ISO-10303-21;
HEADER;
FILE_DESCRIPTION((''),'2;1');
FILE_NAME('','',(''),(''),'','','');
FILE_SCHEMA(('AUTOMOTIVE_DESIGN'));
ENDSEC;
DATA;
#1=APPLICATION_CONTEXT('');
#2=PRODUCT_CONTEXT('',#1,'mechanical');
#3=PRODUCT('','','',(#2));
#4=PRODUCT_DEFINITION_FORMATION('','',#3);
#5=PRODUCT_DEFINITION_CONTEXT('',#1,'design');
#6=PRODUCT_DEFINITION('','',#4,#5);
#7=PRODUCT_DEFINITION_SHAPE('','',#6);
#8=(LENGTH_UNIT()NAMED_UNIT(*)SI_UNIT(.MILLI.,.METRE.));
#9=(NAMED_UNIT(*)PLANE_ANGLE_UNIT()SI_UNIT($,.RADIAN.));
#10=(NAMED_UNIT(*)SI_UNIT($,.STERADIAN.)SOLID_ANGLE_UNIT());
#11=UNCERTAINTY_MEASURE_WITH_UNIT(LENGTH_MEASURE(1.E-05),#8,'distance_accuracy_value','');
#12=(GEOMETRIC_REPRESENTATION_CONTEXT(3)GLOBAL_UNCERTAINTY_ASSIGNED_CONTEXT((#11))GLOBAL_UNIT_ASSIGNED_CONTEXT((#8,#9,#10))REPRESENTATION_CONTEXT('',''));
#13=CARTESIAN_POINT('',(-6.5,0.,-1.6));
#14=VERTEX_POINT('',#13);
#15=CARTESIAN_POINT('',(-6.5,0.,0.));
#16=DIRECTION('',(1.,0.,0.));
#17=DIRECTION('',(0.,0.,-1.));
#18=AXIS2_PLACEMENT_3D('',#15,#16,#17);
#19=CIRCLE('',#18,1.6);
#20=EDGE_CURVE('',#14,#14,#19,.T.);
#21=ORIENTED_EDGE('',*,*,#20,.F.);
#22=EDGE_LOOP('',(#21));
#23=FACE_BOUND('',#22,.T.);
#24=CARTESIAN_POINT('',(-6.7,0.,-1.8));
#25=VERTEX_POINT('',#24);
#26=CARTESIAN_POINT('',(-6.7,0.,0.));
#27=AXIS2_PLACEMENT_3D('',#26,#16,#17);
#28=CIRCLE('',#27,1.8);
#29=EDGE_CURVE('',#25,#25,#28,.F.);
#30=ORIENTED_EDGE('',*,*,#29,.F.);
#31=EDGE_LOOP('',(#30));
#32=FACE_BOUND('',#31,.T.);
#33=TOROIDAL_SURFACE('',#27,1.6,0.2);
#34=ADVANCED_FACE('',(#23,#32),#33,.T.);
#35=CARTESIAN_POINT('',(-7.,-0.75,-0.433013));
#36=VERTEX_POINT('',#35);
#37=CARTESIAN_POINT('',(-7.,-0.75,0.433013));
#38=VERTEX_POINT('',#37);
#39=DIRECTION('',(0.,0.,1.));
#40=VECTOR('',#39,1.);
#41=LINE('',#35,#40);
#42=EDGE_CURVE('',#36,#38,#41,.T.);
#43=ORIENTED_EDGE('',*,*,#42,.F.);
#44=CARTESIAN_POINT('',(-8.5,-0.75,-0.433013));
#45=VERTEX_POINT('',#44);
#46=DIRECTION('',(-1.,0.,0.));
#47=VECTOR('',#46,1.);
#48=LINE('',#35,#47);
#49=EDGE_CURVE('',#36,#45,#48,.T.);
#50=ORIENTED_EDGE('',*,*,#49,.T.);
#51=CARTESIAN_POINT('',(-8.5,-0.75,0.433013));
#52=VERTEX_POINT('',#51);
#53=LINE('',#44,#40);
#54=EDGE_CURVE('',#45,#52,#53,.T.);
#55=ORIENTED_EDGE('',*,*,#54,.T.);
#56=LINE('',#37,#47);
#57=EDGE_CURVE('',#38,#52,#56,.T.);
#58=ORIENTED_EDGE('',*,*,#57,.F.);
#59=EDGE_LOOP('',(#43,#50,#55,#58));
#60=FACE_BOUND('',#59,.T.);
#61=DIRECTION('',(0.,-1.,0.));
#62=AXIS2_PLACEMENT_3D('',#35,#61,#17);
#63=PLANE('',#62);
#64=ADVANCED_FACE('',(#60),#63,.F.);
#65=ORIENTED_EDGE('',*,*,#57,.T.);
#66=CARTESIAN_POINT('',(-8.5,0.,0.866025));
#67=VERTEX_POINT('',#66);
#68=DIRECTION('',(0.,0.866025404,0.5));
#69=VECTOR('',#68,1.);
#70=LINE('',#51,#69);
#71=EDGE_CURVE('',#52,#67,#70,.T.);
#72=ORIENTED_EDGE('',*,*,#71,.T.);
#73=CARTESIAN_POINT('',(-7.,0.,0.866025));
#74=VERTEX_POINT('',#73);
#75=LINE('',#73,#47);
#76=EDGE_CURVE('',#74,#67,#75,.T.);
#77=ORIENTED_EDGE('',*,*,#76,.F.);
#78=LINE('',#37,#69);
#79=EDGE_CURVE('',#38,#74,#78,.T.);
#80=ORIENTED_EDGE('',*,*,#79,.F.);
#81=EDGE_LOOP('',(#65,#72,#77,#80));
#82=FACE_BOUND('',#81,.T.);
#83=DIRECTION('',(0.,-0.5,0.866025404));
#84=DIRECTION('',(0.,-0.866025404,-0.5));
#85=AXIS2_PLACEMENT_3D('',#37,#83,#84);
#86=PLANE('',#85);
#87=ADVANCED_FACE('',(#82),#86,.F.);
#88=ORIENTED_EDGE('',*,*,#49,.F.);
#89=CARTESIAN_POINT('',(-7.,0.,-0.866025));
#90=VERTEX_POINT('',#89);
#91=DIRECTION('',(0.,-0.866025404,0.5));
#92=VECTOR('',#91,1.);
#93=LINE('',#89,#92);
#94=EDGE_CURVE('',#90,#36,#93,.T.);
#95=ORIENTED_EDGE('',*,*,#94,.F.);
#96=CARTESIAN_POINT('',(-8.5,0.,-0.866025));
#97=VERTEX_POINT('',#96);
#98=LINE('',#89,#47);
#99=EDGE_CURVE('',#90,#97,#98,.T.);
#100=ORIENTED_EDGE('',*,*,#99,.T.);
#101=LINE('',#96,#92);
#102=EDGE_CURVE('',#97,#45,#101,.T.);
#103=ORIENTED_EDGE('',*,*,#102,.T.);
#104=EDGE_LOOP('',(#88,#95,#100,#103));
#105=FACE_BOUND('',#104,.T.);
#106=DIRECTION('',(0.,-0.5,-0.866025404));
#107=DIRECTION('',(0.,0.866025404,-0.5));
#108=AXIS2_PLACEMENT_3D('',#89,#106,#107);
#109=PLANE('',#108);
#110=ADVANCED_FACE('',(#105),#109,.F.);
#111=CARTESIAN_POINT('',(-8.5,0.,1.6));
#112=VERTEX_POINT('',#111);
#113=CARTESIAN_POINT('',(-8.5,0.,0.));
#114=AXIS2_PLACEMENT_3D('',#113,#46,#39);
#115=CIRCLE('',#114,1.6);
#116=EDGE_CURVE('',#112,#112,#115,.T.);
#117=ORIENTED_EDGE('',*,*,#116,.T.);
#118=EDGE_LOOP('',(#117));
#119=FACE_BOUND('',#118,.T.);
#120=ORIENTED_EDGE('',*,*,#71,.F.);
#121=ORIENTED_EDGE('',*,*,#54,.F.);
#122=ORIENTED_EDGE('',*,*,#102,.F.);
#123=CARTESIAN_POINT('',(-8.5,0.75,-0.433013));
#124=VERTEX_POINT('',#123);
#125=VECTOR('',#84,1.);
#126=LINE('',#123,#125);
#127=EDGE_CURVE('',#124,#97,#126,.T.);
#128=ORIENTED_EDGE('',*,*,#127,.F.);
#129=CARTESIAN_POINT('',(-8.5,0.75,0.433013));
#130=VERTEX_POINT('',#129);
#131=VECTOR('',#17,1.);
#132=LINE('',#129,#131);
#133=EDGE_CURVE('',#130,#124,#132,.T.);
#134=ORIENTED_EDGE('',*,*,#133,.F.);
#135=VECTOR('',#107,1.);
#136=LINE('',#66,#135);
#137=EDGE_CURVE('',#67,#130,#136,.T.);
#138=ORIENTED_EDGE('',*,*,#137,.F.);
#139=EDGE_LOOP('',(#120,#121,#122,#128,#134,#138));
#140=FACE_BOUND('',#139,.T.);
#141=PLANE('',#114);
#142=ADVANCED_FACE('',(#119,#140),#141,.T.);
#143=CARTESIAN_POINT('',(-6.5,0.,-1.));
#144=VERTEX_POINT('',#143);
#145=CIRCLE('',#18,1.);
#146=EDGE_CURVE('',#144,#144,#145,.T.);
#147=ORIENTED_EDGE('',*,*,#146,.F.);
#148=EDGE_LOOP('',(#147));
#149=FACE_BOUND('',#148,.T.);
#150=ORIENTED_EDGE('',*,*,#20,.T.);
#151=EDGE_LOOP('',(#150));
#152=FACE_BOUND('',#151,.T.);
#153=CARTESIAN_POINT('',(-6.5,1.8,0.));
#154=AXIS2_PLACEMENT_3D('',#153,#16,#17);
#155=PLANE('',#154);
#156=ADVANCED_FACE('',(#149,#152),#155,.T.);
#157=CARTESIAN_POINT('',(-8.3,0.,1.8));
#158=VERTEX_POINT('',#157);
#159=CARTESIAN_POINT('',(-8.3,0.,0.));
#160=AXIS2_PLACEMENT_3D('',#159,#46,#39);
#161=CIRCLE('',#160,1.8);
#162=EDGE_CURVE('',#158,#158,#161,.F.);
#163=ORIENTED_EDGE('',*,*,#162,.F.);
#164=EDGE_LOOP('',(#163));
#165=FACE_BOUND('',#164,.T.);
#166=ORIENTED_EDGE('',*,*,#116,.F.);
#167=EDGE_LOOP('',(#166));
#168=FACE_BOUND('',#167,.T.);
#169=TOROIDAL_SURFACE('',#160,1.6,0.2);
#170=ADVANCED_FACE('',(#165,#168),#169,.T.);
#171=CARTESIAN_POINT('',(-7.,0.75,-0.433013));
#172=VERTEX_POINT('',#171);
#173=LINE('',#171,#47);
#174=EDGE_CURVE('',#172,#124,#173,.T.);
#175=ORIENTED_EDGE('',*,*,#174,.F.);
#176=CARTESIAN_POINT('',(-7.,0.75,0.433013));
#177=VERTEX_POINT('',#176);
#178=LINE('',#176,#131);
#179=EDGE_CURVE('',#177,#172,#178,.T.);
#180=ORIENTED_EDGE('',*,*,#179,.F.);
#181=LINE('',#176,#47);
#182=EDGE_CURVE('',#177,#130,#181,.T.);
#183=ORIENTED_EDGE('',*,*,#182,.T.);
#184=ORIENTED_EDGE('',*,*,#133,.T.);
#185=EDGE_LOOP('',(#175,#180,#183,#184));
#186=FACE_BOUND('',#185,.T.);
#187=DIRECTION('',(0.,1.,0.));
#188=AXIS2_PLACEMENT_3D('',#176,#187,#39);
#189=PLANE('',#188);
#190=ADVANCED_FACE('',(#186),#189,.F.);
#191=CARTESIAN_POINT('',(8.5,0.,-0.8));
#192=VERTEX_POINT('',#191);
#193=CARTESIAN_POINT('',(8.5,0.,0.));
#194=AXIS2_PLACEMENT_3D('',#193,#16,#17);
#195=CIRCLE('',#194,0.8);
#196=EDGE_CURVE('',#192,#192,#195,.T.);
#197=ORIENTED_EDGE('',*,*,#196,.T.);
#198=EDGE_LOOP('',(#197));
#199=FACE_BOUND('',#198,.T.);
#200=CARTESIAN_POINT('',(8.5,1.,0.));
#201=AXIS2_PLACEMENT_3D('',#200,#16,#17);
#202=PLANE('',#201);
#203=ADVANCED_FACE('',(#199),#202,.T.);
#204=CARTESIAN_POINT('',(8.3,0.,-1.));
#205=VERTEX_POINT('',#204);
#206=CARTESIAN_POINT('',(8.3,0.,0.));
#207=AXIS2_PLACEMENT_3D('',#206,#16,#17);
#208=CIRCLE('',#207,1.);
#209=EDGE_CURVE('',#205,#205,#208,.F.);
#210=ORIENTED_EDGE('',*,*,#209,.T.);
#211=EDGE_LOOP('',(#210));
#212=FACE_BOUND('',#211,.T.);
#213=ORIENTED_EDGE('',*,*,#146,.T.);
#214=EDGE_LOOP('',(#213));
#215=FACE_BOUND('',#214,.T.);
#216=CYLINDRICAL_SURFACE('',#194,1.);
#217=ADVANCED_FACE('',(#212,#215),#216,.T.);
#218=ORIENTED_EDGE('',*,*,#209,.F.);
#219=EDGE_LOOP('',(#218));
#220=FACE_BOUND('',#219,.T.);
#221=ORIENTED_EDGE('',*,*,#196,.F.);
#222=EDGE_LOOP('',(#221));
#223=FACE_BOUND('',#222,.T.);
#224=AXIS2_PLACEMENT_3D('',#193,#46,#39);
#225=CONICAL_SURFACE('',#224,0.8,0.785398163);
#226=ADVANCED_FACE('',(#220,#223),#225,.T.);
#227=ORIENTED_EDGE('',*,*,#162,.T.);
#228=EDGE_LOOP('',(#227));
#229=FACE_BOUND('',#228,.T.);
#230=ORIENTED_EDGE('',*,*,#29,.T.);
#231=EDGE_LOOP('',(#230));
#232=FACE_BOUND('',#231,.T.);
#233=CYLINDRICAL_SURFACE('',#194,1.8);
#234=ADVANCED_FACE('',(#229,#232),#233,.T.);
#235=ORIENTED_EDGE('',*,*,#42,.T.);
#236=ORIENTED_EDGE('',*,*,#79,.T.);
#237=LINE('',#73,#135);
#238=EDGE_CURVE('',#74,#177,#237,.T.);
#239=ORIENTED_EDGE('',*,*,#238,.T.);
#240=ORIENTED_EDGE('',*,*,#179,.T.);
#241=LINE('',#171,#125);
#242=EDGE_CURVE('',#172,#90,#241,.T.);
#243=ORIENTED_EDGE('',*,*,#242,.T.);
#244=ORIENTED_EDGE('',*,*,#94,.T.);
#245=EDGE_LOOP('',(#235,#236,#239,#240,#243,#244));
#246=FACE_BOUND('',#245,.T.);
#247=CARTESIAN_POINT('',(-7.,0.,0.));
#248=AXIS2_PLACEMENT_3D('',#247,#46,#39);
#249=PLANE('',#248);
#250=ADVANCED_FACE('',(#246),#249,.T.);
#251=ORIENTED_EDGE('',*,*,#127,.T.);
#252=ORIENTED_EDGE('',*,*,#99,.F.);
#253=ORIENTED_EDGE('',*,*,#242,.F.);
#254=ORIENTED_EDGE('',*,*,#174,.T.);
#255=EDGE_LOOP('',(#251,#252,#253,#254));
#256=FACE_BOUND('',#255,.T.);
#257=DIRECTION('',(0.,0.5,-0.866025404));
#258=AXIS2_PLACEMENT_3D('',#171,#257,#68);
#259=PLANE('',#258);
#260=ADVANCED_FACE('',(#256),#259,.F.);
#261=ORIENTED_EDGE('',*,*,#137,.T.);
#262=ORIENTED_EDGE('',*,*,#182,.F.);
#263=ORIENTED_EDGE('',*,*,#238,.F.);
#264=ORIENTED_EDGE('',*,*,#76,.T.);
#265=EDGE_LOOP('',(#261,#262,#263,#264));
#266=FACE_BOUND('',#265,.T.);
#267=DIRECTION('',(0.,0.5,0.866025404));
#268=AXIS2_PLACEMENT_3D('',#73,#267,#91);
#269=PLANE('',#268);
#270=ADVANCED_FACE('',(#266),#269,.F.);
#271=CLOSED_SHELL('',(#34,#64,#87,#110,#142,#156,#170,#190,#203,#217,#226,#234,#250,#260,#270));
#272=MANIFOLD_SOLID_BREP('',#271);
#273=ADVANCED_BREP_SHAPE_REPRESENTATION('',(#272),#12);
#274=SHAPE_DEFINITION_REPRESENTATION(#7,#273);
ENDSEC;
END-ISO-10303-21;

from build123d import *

# Parameters (mm, degrees)
CUT_EXTRUDE_1_DEPTH = 1.5
FILLET_1_R          = 0.2
CHAMFER_1_SIZE      = 0.2


with BuildPart() as part:
    # 草图1 → 旋转1 (revolve)
    with BuildSketch(Plane.XY, mode=Mode.PRIVATE) as revolve_1_sk:
        Polygon((-8.5, 0), (-8.5, 1.8), (-6.5, 1.8), (-6.5, 1), (8.5, 1), (8.5, 0), align=None)
    revolve(revolve_1_sk.sketch.rotate(Axis((8.5, 0, 0), (-1, 0, 0)), 90), axis=Axis((8.5, 0, 0), (-1, 0, 0)))

    # 草图2 → 切除-拉伸1 (cut)
    with BuildSketch(Plane.ZY.offset(8.5)):
        Polygon((0.866025404, 0), (0.433012702, 0.75), (-0.433012702, 0.75), (-0.866025404, 0), (-0.433012702, -0.75), (0.433012702, -0.75), align=None)
    extrude(amount=-CUT_EXTRUDE_1_DEPTH, mode=Mode.SUBTRACT)

    # 圆角1
    fillet_1_edges = [part.edges().sort_by_distance(p)[0] for p in [
        (-6.5, 0, 1.8),
        (-8.5, 0, 1.8),
    ]]
    fillet(fillet_1_edges, radius=FILLET_1_R)

    # 倒角1
    chamfer_1_edges = [part.edges().sort_by_distance(p)[0] for p in [
        (8.5, 0, 1),
    ]]
    chamfer(chamfer_1_edges, length=CHAMFER_1_SIZE)


solid = part.part
